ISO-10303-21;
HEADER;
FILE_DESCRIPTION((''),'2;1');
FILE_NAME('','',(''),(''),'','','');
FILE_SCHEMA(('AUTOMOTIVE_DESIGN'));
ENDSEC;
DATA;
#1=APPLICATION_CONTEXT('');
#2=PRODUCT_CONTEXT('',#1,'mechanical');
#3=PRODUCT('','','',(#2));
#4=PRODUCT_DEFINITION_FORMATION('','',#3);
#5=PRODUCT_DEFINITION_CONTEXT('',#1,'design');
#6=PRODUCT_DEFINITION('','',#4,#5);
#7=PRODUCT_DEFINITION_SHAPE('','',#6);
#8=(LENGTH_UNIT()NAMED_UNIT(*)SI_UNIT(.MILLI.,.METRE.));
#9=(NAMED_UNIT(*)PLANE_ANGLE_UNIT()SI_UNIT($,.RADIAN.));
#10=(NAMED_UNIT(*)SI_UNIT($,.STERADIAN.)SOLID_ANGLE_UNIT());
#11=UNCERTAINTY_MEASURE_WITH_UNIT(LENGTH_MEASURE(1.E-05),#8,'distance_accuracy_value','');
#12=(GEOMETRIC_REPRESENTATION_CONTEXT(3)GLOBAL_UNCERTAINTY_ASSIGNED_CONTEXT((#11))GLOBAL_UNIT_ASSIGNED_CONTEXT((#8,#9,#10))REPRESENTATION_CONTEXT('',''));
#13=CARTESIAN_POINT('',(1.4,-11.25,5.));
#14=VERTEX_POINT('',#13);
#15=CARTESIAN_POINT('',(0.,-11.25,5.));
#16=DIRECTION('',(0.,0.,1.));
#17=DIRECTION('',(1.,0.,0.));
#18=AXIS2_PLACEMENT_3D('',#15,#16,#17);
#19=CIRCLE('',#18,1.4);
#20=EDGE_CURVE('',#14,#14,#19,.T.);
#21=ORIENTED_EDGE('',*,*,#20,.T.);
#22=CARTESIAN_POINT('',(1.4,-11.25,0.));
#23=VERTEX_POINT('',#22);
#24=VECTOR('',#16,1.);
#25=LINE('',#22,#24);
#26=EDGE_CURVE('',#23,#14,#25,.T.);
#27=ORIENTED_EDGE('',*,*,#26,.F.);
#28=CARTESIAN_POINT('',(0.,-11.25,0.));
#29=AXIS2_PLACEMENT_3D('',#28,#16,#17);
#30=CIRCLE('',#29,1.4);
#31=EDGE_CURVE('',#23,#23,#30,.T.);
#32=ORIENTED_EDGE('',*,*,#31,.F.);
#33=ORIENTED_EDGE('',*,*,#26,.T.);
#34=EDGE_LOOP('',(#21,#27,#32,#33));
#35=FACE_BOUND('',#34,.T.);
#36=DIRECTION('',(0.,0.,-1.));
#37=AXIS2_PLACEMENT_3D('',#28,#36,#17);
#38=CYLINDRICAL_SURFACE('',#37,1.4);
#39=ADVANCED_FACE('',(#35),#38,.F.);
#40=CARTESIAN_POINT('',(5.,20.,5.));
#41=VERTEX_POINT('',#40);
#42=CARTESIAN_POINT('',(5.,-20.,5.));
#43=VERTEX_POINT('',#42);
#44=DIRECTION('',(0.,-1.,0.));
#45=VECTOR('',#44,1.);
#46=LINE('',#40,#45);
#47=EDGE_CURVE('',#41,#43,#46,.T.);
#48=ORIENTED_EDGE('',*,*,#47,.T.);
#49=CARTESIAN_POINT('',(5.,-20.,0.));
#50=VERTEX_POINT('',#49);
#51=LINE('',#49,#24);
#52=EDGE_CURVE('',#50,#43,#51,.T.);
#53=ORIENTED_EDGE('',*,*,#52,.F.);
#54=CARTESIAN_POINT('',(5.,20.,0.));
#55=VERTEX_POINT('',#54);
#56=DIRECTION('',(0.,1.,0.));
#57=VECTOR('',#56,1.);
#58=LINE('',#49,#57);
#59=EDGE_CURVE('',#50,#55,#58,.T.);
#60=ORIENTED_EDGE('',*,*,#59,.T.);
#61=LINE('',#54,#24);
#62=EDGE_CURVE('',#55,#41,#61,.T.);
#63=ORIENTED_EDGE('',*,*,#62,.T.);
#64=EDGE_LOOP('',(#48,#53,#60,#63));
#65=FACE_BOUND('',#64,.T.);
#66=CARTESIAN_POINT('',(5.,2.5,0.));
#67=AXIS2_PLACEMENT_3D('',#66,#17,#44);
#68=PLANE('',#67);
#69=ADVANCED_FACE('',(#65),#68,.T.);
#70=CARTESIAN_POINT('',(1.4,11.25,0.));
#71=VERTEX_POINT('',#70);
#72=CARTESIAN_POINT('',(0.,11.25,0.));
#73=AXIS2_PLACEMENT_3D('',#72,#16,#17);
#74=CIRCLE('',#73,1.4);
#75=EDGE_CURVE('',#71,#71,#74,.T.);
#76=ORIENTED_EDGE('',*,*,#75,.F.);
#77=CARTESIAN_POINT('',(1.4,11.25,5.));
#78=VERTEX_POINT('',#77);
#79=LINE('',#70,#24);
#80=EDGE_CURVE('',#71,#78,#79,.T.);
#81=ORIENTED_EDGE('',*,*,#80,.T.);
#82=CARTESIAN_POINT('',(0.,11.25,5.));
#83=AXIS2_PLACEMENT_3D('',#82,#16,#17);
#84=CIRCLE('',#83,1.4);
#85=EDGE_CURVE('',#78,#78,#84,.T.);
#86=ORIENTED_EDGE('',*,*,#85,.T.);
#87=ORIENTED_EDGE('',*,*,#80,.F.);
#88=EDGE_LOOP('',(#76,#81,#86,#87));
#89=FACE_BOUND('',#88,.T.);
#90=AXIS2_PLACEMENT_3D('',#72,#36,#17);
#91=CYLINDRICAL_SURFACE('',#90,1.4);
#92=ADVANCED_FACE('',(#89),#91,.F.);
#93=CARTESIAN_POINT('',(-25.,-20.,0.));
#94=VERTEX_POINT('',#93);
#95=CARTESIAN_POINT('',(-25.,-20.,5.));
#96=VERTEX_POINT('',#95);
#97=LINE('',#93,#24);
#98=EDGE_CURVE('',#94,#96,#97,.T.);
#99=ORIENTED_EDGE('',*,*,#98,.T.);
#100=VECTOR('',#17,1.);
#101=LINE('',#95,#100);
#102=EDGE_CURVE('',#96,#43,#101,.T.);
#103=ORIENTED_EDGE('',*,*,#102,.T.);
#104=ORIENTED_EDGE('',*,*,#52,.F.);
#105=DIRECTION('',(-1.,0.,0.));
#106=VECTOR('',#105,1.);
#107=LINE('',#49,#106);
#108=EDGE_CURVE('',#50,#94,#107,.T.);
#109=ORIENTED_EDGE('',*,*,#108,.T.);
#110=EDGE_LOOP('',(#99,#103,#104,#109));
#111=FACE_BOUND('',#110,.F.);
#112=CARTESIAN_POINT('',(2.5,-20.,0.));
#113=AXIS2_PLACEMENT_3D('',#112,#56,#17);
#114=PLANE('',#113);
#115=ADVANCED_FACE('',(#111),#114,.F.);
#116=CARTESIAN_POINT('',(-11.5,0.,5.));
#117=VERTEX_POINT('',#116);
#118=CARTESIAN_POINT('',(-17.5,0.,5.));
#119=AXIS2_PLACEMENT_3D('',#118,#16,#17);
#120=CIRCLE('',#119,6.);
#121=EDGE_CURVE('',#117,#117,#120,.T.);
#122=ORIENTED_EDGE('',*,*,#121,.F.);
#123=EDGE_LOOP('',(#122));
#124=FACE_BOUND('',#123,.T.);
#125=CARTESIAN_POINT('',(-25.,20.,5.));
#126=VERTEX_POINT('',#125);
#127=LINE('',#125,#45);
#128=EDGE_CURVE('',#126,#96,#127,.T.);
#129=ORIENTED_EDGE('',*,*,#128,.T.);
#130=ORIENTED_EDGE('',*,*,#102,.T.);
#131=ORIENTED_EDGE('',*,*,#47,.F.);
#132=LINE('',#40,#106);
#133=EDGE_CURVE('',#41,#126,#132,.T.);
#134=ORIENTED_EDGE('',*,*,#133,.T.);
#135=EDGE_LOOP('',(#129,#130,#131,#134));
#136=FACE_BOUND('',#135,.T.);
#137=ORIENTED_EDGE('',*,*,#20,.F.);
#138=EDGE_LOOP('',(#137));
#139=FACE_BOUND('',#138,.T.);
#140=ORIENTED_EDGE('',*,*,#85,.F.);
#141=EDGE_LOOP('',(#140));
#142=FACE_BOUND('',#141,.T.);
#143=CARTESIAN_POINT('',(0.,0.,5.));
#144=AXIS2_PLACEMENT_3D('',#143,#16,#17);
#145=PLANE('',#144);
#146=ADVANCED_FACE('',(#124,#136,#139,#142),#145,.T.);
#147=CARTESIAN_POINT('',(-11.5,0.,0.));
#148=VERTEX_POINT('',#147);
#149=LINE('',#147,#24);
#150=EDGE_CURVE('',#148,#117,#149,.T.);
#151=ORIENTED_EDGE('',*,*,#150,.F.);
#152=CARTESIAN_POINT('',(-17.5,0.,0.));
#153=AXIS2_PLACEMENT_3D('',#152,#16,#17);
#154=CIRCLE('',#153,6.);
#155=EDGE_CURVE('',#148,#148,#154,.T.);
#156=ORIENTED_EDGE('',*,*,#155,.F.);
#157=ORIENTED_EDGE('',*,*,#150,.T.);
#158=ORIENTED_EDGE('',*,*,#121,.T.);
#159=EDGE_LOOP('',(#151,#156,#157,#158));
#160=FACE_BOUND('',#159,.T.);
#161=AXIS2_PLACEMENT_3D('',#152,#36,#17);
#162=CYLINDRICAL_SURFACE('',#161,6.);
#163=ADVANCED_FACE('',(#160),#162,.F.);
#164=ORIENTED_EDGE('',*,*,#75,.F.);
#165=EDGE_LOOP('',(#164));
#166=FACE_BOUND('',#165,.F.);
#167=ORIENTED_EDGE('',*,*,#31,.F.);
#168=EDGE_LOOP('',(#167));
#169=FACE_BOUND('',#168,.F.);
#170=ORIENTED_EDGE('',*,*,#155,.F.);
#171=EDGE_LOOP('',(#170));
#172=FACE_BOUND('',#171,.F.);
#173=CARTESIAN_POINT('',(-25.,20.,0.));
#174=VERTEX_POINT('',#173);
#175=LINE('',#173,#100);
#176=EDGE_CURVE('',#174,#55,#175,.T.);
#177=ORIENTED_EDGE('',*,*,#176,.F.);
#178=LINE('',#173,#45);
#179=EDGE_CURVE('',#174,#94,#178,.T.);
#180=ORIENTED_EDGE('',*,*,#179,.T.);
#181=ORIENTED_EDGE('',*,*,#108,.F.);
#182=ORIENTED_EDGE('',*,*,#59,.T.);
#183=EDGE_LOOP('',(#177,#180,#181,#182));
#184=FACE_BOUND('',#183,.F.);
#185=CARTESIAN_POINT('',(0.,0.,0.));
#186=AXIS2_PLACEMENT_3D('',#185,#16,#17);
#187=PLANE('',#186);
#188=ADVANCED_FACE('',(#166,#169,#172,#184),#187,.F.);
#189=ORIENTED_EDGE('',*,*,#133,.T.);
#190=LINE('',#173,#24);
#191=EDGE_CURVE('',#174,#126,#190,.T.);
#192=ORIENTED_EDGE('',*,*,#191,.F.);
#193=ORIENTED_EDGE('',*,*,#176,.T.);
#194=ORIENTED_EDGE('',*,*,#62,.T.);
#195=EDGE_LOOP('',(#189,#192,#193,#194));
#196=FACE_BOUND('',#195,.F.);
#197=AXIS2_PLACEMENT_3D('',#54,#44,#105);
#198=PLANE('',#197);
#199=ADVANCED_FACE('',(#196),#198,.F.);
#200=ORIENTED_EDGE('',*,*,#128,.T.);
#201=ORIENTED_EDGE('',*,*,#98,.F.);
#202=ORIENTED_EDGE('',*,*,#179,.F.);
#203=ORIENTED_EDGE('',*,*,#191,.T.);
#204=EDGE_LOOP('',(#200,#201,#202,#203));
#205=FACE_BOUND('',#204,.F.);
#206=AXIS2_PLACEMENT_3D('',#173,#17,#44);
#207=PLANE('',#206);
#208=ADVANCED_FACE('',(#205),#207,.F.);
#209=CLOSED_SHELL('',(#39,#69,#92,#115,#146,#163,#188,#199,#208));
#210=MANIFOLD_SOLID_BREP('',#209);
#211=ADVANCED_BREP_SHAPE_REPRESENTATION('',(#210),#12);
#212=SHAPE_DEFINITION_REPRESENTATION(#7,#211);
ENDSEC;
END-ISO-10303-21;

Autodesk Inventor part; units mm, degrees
ref_plane "YZ Plane" through (0, 0, 0) normal (1, 0, 0) x (0, 1, 0)
ref_plane "XZ Plane" through (0, 0, 0) normal (0, 1, 0) x (-1, 0, 0)
ref_plane "XY Plane" through (0, 0, 0) normal (0, 0, 1) x (1, 0, 0)
ref_plane "Arbeitsebene1" through (0, 0, 0) normal (0, 0, 1) x (1, 0, 0)
sketch "Skizze1" plane through (0, 0, 0) normal (0, 0, 1) x (1, 0, 0)
  circle A0 centre (0, 11.25) radius 1.4 projected
  circle A1 centre (0, -11.25) radius 1.4 projected
  line L0 (2.5, 20) -> (-2.5, 20) projected
  line L1 (-2.5, 20) -> (-2.5, 2.5) projected
  line L2 (-10.5, 2.5) -> (-2.5, 2.5) projected
  line L3 (-10.5, -2.5) -> (-10.5, 2.5) projected
  line L4 (-2.5, -2.5) -> (-10.5, -2.5) projected
  line L5 (-2.5, -2.5) -> (-2.5, -20) projected
  line L6 (-2.5, -20) -> (2.5, -20) projected
  line L7 (2.5, -20) -> (2.5, -2.5) projected
  line L8 (5, -2.5) -> (2.5, -2.5) projected
  line L9 (5, 2.5) -> (5, -2.5) projected
  line L10 (2.5, 2.5) -> (5, 2.5) projected
  line L11 (2.5, 2.5) -> (2.5, 20) projected
  line L12 (5, 20) -> (-25, 20)
  line L13 (-25, 20) -> (-25, -20)
  line L14 (-25, -20) -> (5, -20)
  line L15 (5, -20) -> (5, 20)
  circle A2 centre (32.5, 0) radius 1.7096 projected
  circle A3 centre (-17.5, 0) radius 6
  point P0 (0, 0)
  point P1 (5, 0)
  dimension "d0" = 30
  dimension "d1" = 12
  dimension "d2" = 50
extrude "Extrusion1" add sketch "Skizze1" along normal blind 5 contours L11 L10 L9 L8 L7 L6 L5 L4 L3 L2 L1 L0 | L12 L15 L10 L11 | L1 L2 L3 L4 L5 L14 L13 L12 | L15 L14 L7 L8
properties part number "40_XYZstage_micrometer_motorized_nema8_lightsheet_samplemount_ontop_2"
